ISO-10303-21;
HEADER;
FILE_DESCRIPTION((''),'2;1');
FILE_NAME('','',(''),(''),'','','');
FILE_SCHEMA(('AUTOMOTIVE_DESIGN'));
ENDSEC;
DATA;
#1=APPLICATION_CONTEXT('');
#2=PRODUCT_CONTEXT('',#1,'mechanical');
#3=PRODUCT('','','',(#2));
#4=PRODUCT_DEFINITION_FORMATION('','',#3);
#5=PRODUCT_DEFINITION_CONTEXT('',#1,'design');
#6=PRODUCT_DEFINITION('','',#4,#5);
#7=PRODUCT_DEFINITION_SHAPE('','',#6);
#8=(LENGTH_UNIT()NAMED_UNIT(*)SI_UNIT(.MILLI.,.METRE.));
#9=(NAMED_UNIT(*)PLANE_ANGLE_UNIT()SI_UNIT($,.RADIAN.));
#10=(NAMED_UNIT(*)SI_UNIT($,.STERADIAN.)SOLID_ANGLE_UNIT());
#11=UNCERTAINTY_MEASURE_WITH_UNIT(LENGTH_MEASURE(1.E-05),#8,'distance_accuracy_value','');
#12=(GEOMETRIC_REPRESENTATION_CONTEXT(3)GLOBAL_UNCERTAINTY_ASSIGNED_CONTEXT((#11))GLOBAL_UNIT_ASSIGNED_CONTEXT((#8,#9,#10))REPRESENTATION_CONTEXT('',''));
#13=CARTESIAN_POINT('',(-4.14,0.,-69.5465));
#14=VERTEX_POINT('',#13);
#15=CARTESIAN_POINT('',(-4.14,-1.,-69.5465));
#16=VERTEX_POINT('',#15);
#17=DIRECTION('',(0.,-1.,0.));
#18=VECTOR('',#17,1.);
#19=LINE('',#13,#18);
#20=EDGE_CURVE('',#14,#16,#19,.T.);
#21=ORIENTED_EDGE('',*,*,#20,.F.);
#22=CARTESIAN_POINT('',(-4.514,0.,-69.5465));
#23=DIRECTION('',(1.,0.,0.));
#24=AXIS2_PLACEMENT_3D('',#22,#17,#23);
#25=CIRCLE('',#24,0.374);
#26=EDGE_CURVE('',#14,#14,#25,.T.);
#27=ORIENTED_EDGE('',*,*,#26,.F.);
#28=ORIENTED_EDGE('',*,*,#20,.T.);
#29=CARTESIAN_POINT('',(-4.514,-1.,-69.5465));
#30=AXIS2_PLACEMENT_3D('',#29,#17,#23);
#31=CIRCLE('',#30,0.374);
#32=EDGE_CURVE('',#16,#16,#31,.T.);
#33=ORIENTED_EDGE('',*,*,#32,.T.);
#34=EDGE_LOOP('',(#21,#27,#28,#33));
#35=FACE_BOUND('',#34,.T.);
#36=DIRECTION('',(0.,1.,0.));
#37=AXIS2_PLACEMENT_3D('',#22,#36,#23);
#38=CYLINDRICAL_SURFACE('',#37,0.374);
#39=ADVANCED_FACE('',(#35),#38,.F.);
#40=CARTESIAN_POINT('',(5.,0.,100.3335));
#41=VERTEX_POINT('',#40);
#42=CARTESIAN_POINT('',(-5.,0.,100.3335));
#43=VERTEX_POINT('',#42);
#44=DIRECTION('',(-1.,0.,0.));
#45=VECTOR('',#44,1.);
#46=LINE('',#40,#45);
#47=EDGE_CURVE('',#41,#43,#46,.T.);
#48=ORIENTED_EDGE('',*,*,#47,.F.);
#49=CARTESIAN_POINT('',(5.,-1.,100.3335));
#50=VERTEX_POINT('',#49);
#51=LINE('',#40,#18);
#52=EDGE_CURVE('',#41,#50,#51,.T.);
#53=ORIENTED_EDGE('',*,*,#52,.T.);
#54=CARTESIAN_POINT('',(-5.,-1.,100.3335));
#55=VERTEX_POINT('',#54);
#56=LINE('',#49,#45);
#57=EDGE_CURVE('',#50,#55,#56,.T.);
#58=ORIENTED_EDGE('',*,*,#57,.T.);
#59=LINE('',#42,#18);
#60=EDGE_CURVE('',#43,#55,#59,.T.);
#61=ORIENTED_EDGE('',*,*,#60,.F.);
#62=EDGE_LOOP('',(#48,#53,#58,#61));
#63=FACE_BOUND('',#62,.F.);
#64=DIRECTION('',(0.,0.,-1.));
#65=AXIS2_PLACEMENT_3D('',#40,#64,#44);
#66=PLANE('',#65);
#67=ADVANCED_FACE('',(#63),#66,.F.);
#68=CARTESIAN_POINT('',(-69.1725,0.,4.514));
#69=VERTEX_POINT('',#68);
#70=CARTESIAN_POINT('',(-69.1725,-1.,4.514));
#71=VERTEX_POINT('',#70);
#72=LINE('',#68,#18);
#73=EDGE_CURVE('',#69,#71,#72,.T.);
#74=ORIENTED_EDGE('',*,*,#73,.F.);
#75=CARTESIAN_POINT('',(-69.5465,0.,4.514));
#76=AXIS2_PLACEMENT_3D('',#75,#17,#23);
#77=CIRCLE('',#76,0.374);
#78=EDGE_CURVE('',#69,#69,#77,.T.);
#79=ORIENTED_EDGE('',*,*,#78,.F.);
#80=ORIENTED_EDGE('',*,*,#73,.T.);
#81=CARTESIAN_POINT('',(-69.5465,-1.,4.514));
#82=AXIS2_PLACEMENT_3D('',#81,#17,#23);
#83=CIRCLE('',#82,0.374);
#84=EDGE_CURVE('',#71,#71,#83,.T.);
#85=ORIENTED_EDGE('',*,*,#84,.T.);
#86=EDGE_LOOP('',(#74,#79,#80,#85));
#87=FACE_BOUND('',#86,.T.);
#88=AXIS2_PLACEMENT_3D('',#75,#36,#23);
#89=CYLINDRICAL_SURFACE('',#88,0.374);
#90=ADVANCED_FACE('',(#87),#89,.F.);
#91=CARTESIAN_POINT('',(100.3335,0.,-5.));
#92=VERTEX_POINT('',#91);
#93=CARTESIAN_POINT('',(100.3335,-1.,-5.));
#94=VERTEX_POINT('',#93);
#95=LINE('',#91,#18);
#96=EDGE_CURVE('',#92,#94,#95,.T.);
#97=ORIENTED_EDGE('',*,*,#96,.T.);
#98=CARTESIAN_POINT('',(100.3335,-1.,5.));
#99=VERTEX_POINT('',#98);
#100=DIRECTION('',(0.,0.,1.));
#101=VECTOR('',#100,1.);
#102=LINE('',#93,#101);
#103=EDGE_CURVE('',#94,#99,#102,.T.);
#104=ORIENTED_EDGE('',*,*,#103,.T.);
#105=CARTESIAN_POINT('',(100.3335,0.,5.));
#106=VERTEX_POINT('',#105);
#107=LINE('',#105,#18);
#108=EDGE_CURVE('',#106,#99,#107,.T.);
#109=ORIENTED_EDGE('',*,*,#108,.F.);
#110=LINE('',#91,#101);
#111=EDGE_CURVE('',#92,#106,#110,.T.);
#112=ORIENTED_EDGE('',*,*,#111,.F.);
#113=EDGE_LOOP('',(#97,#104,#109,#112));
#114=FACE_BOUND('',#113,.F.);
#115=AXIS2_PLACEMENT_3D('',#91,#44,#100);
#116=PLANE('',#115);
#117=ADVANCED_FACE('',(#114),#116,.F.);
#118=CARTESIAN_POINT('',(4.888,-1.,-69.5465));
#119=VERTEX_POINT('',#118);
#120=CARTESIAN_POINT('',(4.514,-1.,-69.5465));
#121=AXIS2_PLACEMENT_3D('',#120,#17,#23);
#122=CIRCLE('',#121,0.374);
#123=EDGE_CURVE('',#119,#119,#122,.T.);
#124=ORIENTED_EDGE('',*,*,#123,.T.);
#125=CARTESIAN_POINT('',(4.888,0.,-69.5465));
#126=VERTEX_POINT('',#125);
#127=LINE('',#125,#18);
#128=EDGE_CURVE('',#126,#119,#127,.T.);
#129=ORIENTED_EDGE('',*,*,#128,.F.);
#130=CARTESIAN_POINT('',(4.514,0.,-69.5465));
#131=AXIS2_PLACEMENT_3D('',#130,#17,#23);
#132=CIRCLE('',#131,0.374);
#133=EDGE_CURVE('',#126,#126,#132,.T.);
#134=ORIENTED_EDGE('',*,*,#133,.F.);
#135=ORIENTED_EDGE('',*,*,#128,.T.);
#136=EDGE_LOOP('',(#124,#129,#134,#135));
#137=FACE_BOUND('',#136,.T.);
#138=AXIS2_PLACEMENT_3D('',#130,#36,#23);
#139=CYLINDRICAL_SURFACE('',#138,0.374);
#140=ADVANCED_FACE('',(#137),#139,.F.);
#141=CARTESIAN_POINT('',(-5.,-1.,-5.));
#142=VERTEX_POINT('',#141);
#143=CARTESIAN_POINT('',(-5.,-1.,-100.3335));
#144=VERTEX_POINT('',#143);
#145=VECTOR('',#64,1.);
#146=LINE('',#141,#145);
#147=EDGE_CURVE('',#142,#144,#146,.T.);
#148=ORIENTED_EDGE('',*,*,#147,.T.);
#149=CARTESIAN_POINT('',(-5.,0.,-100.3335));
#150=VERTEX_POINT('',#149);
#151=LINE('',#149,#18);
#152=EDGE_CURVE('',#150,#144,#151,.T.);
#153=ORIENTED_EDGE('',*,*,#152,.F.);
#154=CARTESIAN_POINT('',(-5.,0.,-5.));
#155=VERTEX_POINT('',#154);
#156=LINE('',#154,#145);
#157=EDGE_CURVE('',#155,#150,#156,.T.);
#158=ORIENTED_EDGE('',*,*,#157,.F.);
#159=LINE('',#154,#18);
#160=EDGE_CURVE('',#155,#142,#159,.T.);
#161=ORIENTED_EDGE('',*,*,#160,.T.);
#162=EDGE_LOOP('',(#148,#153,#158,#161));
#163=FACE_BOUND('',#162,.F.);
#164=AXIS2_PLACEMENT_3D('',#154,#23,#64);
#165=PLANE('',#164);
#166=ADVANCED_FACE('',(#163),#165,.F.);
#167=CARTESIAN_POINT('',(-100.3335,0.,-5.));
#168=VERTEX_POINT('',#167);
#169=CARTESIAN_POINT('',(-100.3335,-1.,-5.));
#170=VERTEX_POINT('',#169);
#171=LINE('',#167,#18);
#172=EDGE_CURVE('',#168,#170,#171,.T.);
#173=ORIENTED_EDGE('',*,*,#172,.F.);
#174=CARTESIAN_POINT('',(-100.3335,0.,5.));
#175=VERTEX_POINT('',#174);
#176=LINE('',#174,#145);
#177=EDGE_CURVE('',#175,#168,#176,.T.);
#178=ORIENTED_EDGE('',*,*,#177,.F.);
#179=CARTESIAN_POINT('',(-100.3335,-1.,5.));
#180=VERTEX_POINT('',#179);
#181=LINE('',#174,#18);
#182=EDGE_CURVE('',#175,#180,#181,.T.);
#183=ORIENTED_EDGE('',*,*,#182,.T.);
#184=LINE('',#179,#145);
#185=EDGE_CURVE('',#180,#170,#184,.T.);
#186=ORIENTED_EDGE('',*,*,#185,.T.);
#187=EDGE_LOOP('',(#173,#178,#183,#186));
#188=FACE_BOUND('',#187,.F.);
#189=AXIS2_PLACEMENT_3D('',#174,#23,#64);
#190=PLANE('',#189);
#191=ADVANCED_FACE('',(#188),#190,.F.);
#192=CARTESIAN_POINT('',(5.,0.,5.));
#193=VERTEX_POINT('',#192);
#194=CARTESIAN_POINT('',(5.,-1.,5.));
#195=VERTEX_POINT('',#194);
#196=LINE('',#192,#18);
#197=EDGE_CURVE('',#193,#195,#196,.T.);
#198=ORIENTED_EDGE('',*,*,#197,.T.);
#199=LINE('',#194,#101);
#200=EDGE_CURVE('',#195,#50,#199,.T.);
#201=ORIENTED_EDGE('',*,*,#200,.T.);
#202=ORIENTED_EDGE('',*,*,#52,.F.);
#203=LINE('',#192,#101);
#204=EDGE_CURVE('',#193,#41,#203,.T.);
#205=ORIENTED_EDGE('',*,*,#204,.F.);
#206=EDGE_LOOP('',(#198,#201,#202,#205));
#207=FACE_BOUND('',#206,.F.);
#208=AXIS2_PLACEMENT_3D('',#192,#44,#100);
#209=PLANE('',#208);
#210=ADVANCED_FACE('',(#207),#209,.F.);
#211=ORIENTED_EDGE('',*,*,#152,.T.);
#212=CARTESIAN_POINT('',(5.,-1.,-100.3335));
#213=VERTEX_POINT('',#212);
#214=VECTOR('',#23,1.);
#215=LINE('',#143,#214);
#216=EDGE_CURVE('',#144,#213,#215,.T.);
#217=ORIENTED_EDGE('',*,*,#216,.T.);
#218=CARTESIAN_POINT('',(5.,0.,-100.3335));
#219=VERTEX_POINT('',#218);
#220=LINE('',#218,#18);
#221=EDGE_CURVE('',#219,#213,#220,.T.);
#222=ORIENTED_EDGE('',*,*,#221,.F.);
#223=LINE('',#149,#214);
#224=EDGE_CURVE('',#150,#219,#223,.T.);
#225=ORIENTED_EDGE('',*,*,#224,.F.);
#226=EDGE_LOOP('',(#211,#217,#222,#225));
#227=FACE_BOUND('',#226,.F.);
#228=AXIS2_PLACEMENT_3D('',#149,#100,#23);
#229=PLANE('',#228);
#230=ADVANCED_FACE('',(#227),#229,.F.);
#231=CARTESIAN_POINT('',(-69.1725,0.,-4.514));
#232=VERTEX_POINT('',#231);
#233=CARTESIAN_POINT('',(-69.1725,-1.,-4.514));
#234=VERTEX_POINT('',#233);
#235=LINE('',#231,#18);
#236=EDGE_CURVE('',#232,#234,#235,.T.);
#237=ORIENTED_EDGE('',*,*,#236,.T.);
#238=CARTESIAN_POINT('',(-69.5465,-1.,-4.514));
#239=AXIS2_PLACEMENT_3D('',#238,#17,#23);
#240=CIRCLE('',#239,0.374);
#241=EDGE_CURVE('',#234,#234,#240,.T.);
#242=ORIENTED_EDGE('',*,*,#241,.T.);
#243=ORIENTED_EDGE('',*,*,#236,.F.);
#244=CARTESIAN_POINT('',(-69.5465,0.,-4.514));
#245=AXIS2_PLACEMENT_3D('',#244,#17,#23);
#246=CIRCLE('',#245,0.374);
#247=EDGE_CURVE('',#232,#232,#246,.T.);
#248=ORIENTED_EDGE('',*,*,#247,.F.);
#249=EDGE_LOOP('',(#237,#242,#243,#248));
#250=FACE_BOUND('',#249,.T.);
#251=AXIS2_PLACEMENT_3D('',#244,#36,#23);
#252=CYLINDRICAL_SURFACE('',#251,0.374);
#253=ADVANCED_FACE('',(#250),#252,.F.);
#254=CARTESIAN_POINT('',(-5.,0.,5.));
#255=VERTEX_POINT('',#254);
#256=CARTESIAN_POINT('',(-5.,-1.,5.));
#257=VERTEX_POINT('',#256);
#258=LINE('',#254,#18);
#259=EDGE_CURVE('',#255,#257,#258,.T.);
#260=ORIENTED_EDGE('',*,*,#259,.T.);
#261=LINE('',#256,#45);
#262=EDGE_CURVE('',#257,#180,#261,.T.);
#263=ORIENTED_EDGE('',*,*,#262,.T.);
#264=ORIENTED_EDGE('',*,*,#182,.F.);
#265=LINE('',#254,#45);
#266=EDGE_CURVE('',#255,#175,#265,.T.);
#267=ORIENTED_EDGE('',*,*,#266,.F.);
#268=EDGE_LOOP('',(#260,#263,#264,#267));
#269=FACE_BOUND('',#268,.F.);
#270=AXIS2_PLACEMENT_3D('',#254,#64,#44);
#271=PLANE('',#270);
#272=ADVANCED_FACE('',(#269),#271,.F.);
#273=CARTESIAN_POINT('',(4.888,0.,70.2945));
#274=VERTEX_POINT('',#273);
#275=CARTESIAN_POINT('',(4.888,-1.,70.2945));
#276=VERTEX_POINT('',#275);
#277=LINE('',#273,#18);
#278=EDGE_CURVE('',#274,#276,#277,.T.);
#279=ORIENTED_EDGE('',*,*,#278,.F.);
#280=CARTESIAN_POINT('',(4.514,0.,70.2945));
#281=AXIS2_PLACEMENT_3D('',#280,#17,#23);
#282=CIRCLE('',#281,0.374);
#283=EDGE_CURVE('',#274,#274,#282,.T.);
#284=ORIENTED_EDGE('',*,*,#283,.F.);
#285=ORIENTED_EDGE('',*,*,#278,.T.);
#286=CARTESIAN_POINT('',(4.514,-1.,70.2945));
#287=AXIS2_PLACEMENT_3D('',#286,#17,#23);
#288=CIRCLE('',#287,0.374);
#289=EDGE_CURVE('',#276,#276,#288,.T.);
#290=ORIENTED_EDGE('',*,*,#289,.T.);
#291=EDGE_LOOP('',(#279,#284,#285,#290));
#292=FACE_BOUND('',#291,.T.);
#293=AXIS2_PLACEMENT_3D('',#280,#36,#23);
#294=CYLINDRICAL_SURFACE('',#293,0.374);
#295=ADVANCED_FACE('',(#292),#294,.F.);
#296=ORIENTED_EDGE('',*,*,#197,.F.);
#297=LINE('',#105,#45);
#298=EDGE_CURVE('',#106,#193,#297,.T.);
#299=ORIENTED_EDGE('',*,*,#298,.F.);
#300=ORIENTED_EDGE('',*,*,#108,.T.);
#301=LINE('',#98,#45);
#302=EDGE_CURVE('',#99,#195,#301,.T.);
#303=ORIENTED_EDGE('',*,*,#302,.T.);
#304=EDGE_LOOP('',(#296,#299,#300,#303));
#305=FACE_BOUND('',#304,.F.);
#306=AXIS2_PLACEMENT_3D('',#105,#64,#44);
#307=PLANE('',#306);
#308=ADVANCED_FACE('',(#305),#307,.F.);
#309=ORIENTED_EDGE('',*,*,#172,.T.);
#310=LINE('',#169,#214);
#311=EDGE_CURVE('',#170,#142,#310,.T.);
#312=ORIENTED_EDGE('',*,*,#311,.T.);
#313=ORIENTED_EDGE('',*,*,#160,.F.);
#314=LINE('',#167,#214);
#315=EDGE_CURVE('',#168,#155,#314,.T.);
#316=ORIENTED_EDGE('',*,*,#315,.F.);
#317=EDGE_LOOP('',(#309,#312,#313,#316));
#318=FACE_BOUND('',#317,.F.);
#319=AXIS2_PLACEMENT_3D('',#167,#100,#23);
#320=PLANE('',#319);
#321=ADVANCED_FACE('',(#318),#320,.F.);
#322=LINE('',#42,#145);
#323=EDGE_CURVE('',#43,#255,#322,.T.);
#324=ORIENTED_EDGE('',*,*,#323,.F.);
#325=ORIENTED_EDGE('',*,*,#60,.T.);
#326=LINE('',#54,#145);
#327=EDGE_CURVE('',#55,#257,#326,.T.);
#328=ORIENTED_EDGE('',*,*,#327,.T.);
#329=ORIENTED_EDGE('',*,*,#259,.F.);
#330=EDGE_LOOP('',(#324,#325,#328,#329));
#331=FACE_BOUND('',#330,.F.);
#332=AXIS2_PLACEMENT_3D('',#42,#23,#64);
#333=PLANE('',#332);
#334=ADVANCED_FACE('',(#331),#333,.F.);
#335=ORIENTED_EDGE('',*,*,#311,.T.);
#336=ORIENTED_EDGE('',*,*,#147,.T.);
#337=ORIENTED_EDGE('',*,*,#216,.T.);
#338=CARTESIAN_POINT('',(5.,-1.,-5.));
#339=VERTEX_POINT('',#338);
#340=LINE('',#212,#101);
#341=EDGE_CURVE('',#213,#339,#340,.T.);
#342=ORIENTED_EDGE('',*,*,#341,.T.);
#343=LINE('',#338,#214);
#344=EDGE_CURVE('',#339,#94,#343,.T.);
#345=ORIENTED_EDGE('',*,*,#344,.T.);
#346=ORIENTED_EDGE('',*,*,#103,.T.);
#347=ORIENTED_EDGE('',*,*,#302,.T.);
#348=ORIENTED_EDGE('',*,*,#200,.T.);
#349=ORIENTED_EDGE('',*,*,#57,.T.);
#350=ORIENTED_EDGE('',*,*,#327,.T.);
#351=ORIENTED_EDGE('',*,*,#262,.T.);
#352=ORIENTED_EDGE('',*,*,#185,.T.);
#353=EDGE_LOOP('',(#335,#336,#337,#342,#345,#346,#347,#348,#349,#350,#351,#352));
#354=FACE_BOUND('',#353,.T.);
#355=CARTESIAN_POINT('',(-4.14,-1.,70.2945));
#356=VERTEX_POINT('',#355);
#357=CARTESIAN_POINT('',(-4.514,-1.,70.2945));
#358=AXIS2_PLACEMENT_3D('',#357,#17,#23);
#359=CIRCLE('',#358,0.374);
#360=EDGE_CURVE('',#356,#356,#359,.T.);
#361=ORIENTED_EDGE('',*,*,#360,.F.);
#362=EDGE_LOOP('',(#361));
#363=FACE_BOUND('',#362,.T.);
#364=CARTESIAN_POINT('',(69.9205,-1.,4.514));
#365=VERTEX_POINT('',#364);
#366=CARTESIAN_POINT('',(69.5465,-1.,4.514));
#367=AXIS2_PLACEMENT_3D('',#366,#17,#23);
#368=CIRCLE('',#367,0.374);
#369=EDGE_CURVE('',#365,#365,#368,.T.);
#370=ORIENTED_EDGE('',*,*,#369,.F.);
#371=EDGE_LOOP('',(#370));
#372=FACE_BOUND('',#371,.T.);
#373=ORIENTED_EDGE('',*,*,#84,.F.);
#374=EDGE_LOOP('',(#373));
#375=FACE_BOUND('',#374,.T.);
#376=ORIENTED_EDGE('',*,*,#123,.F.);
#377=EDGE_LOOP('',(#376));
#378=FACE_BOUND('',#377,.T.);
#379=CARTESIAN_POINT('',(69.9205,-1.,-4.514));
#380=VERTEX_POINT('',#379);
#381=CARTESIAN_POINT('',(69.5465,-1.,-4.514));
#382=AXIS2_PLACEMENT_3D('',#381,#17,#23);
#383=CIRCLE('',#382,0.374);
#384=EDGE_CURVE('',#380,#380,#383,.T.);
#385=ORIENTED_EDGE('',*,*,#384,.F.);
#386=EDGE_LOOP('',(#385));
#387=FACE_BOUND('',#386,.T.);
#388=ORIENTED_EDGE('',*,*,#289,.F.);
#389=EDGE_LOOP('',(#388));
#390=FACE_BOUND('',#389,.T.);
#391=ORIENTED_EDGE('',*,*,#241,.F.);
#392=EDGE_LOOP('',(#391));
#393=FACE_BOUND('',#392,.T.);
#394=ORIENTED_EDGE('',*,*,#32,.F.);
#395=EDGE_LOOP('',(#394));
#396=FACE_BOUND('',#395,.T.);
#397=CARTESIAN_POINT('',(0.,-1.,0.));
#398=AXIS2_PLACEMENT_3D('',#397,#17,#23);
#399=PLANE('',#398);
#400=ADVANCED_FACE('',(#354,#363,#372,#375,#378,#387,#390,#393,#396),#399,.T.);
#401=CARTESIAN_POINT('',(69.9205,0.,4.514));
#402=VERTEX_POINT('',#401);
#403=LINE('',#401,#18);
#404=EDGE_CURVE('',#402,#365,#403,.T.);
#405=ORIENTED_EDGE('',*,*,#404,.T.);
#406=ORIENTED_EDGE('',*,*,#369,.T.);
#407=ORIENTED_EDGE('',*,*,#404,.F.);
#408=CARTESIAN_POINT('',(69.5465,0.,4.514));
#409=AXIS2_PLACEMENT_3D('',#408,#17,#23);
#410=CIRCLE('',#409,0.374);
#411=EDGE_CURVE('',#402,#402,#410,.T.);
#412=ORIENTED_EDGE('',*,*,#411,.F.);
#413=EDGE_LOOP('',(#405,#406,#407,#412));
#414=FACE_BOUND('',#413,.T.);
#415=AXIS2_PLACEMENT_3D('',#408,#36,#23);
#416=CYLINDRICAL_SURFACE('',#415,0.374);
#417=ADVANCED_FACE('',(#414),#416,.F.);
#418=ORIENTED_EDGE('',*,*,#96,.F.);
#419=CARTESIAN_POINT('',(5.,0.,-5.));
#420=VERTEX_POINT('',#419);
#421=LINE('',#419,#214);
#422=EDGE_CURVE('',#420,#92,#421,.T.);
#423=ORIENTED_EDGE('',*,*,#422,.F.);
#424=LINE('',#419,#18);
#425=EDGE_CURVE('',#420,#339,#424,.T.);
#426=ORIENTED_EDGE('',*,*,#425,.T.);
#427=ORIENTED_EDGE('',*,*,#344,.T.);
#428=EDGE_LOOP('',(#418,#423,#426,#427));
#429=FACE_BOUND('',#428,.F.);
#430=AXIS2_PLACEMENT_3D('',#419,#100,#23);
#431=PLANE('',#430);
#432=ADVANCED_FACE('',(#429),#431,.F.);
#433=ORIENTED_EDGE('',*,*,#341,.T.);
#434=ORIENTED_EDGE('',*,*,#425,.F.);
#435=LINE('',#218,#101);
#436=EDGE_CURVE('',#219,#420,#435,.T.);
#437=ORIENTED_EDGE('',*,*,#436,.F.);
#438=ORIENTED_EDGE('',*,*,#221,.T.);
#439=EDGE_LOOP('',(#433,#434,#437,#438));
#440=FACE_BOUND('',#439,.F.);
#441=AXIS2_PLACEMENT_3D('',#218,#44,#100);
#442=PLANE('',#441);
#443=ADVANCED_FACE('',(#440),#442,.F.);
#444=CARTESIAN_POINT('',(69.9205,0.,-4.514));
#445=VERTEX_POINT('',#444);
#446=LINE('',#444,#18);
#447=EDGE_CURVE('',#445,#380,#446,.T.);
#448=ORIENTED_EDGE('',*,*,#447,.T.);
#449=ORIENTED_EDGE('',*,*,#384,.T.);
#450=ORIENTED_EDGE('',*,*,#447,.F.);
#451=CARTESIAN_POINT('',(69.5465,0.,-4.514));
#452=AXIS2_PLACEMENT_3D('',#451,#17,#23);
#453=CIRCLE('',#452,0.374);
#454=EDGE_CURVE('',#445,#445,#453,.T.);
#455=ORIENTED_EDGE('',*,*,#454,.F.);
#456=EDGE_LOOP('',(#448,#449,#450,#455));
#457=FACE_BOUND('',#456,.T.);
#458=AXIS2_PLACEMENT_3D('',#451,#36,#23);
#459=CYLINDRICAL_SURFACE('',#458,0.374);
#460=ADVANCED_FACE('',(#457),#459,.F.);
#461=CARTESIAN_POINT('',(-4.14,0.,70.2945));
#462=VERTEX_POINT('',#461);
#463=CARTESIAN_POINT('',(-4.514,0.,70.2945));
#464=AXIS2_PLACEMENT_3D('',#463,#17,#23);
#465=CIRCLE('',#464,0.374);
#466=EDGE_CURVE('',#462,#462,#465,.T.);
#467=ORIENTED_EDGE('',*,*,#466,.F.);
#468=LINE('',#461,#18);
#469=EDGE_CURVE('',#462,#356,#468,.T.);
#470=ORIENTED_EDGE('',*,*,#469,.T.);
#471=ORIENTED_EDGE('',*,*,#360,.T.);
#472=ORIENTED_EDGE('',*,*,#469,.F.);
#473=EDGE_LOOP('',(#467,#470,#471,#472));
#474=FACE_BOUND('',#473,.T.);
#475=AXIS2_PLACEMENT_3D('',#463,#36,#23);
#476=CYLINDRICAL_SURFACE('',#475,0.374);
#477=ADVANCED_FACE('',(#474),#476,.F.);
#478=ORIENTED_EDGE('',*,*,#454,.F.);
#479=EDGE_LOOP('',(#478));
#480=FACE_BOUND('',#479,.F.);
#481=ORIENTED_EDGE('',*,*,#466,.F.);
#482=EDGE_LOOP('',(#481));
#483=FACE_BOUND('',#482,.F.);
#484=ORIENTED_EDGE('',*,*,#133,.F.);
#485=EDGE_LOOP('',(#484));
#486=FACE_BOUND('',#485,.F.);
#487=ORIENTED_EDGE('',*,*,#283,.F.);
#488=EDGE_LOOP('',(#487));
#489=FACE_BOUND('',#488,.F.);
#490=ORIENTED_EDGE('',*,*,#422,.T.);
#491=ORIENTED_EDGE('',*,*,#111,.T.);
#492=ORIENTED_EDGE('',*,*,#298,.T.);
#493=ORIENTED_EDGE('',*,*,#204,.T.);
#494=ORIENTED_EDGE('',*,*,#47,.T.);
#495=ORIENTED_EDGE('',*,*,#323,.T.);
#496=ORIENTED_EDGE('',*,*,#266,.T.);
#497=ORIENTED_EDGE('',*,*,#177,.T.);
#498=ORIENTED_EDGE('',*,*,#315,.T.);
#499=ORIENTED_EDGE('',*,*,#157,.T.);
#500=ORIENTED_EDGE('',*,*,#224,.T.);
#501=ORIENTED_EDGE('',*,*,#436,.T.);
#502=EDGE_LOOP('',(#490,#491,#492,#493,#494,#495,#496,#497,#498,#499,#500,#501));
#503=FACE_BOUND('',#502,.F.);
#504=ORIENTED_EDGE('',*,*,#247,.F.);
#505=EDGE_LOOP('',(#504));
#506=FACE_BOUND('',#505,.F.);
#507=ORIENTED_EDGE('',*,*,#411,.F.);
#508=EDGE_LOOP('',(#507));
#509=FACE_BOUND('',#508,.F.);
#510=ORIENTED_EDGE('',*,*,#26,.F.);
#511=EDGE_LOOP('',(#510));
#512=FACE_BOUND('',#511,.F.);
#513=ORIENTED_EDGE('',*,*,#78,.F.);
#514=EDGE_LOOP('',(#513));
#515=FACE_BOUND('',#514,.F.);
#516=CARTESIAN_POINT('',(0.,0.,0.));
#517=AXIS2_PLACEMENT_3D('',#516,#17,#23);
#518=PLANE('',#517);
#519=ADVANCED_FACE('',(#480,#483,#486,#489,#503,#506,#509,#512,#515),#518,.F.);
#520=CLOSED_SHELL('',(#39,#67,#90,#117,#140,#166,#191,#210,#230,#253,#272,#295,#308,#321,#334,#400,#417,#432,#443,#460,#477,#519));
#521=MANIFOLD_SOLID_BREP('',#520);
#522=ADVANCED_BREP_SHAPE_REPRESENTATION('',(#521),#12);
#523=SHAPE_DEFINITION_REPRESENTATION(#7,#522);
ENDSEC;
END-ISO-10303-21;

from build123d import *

# Parameters (mm, degrees)
F0_R     = 0.374
F1_DEPTH = 1


with BuildPart() as f1:
    # F0 (on Front) → F1 (new body)
    with BuildSketch(Plane.XZ):
        Polygon((-5, -5), (-5, -100.3335), (5, -100.3335), (5, -5), (100.3335, -5), (100.3335, 5), (5, 5), (5, 100.3335), (-5, 100.3335), (-5, 5), (-100.3335, 5), (-100.3335, -5), align=None)
        with Locations((-4.514, -69.5465)):
            Circle(F0_R, mode=Mode.SUBTRACT)
        with Locations((-69.5465, -4.514)):
            Circle(F0_R, mode=Mode.SUBTRACT)
        with Locations((4.514, -69.5465)):
            Circle(F0_R, mode=Mode.SUBTRACT)
        with Locations((69.5465, -4.514)):
            Circle(F0_R, mode=Mode.SUBTRACT)
        with Locations((-69.5465, 4.514)):
            Circle(F0_R, mode=Mode.SUBTRACT)
        with Locations((-4.514, 70.2945)):
            Circle(F0_R, mode=Mode.SUBTRACT)
        with Locations((69.5465, 4.514)):
            Circle(F0_R, mode=Mode.SUBTRACT)
        with Locations((4.514, 70.2945)):
            Circle(F0_R, mode=Mode.SUBTRACT)
    extrude(amount=F1_DEPTH)


solid = f1.part
